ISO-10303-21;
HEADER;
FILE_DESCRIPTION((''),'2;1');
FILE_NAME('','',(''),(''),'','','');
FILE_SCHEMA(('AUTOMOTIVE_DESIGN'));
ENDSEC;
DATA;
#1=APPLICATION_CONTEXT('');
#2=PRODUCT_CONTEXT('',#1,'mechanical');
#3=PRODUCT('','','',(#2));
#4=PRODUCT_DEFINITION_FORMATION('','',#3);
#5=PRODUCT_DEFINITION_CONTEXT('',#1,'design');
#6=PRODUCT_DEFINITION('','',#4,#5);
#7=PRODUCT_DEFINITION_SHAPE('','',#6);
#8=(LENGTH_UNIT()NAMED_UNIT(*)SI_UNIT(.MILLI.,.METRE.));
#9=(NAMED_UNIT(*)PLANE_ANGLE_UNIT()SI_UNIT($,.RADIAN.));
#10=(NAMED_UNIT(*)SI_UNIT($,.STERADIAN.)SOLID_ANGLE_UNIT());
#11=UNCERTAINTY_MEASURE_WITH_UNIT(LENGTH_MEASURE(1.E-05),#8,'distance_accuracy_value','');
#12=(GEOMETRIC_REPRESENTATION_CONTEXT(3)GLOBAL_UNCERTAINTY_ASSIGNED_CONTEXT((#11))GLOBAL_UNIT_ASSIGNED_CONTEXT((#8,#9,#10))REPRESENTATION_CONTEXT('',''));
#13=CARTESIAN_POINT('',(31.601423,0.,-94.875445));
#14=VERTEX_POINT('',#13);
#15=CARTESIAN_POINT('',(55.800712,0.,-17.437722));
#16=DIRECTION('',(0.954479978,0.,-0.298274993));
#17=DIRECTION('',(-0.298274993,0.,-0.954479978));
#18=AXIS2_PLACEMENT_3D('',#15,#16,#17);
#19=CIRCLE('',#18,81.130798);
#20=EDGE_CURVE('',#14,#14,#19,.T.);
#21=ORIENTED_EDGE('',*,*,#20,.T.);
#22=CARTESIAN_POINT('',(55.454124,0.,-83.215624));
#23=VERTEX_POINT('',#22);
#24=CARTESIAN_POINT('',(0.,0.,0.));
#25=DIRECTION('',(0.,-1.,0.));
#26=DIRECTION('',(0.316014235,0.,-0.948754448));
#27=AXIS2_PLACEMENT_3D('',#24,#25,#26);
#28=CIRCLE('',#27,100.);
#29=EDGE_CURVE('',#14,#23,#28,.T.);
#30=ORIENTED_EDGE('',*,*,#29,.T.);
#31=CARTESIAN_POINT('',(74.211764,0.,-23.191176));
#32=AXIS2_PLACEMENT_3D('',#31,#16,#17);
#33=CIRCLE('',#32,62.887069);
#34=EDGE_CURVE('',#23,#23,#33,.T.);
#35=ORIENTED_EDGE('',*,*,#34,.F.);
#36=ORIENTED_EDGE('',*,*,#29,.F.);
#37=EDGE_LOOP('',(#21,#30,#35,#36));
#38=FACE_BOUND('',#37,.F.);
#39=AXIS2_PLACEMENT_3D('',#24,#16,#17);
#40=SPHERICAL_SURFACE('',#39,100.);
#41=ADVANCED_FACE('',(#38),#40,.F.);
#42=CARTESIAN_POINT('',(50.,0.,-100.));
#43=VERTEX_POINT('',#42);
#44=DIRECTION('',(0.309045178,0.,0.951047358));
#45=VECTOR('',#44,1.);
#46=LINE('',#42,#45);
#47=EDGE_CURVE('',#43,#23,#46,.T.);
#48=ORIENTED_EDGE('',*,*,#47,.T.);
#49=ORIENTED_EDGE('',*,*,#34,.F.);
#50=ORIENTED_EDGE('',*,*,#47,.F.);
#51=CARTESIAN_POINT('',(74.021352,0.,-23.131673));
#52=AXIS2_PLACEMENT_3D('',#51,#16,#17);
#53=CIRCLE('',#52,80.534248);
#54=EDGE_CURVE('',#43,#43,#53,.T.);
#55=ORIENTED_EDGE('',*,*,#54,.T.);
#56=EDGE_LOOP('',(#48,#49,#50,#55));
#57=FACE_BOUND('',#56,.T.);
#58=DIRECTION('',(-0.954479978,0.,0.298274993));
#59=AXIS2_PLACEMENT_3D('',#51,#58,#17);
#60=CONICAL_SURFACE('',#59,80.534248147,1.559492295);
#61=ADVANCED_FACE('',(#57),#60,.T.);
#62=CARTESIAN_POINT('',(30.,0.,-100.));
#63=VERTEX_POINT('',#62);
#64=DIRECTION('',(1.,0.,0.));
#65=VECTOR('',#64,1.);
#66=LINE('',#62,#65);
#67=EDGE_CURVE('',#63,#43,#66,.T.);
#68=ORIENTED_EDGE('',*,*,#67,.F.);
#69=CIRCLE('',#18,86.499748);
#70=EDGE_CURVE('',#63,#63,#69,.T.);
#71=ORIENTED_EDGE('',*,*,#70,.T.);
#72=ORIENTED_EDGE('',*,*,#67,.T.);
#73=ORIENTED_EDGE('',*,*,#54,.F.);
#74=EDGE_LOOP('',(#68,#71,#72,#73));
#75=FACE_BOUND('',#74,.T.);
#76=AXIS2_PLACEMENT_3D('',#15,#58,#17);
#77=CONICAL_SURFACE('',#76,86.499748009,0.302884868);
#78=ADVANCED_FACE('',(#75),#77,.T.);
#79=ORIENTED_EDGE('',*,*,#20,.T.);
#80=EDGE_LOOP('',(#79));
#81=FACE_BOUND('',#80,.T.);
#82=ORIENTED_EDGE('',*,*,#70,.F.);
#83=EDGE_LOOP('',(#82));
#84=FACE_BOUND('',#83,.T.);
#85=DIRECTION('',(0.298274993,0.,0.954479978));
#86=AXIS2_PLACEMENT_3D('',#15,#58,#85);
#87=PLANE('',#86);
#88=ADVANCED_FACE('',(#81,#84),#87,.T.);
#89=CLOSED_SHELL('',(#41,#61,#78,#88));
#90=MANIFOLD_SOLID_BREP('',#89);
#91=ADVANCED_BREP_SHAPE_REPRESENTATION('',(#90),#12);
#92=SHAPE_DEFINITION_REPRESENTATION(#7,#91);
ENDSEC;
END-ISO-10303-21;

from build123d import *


with BuildPart() as f1:
    # F0 (on Front) → F1 (revolve)
    with BuildSketch(Plane.XZ):
        with BuildLine():
            ThreePointArc((31.6014234875, -94.8754448399), (43.9164542078, -89.8406647895), (55.4541241998, -83.2156241894))
            Line((55.4541241998, -83.2156241894), (74.8903113045, -23.4032222826))
            Line((74.8903113045, -23.4032222826), (55.8007117438, -17.4377224199))
            Line((55.8007117438, -17.4377224199), (31.6014234875, -94.8754448399))
        make_face()
        with BuildLine():
            Line((50, -100), (55.4541241998, -83.2156241894))
            ThreePointArc((55.4541241998, -83.2156241894), (43.9164542078, -89.8406647895), (31.6014234875, -94.8754448399))
            Line((31.6014234875, -94.8754448399), (30, -100))
            Line((30, -100), (50, -100))
        make_face()
    revolve(axis=Axis((65.7125332587, 0, -20.5351666433), (0.954479978, 0, -0.2982749931)))

    # F0 (on Front) → F2 (revolve, cut)
    with BuildSketch(Plane.XZ):
        with BuildLine():
            ThreePointArc((31.6014234875, -94.8754448399), (43.9164542078, -89.8406647895), (55.4541241998, -83.2156241894))
            Line((55.4541241998, -83.2156241894), (74.8903113045, -23.4032222826))
            Line((74.8903113045, -23.4032222826), (55.8007117438, -17.4377224199))
            Line((55.8007117438, -17.4377224199), (31.6014234875, -94.8754448399))
        make_face()
        with BuildLine():
            ThreePointArc((55.4541241998, -83.2156241894), (80.033965138, -59.9546864247), (95.4479978035, -29.8274993136))
            Line((95.4479978035, -29.8274993136), (75.6243547736, -23.6326108668))
            Line((75.6243547736, -23.6326108668), (74.8903113045, -23.4032222826))
            Line((74.8903113045, -23.4032222826), (55.4541241998, -83.2156241894))
        make_face()
    revolve(axis=Axis((75.6243547736, 0, -23.6326108668), (0.954479978, 0, -0.2982749931)), mode=Mode.SUBTRACT)


solid = f1.part
